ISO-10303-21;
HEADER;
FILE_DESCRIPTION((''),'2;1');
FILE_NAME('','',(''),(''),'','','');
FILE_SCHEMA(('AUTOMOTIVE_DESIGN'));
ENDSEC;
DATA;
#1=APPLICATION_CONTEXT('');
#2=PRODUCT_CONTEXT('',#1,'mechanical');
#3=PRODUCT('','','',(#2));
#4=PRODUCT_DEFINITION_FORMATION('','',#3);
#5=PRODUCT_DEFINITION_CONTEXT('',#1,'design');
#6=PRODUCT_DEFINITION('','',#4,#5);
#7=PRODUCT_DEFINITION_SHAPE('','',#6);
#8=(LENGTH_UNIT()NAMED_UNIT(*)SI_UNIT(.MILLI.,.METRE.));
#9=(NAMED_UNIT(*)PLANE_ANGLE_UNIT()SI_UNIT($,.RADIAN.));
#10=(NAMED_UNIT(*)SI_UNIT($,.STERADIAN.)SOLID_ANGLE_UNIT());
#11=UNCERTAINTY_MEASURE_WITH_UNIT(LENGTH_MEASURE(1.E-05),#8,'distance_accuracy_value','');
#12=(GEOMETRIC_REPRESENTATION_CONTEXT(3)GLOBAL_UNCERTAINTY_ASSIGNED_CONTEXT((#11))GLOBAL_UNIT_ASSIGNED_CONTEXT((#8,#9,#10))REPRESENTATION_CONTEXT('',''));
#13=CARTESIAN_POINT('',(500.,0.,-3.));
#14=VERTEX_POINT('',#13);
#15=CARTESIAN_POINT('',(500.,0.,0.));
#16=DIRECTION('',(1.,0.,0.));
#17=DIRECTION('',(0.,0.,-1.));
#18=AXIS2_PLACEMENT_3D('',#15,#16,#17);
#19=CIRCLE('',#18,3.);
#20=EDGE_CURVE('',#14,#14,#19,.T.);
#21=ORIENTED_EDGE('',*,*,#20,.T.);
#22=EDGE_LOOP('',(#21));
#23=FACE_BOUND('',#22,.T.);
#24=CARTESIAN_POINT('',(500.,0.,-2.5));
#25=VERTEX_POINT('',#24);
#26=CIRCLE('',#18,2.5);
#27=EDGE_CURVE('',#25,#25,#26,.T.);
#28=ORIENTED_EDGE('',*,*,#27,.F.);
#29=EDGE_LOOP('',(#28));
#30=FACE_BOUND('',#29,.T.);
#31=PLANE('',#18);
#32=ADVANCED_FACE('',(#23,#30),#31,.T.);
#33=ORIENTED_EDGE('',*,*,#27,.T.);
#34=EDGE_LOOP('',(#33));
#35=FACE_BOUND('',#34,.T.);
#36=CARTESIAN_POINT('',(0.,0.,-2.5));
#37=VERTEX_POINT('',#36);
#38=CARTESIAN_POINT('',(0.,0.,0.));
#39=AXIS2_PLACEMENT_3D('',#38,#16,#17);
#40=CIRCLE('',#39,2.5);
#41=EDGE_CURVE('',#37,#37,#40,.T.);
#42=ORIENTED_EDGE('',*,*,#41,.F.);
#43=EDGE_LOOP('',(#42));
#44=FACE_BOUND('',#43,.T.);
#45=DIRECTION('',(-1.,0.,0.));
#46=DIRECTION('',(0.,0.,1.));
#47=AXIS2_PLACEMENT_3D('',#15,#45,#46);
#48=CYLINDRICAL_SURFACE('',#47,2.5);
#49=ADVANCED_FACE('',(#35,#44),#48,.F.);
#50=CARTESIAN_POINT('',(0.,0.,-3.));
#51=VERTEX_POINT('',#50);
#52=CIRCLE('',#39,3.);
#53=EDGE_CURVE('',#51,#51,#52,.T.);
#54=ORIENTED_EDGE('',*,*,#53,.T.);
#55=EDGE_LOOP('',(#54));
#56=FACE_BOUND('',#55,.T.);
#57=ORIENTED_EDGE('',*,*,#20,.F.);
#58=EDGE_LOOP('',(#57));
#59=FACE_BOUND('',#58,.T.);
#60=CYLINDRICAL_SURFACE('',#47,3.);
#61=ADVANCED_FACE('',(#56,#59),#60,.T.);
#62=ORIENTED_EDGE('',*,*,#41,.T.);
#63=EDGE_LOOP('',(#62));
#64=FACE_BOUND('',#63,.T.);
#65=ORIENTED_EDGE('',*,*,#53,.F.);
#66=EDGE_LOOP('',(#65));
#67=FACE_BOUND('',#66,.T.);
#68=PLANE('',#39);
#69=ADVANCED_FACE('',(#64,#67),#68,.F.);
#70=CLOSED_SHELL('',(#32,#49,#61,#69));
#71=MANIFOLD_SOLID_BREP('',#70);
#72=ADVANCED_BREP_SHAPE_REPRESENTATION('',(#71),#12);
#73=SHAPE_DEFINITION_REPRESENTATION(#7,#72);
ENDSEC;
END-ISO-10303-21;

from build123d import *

# Parameters (mm, degrees)
SKETCH1_R          = 3
SKETCH1_R_2        = 2.5
SPAR_EXTRUDE_DEPTH = 500


with BuildPart() as part:
    # Sketch1 → spar_extrude (new body)
    with BuildSketch(Plane(origin=(0, 0, 0), x_dir=(0, 0, -1), z_dir=(1, 0, 0))):
        Circle(SKETCH1_R)
        Circle(SKETCH1_R_2, mode=Mode.SUBTRACT)
    extrude(amount=SPAR_EXTRUDE_DEPTH)


solid = part.part
